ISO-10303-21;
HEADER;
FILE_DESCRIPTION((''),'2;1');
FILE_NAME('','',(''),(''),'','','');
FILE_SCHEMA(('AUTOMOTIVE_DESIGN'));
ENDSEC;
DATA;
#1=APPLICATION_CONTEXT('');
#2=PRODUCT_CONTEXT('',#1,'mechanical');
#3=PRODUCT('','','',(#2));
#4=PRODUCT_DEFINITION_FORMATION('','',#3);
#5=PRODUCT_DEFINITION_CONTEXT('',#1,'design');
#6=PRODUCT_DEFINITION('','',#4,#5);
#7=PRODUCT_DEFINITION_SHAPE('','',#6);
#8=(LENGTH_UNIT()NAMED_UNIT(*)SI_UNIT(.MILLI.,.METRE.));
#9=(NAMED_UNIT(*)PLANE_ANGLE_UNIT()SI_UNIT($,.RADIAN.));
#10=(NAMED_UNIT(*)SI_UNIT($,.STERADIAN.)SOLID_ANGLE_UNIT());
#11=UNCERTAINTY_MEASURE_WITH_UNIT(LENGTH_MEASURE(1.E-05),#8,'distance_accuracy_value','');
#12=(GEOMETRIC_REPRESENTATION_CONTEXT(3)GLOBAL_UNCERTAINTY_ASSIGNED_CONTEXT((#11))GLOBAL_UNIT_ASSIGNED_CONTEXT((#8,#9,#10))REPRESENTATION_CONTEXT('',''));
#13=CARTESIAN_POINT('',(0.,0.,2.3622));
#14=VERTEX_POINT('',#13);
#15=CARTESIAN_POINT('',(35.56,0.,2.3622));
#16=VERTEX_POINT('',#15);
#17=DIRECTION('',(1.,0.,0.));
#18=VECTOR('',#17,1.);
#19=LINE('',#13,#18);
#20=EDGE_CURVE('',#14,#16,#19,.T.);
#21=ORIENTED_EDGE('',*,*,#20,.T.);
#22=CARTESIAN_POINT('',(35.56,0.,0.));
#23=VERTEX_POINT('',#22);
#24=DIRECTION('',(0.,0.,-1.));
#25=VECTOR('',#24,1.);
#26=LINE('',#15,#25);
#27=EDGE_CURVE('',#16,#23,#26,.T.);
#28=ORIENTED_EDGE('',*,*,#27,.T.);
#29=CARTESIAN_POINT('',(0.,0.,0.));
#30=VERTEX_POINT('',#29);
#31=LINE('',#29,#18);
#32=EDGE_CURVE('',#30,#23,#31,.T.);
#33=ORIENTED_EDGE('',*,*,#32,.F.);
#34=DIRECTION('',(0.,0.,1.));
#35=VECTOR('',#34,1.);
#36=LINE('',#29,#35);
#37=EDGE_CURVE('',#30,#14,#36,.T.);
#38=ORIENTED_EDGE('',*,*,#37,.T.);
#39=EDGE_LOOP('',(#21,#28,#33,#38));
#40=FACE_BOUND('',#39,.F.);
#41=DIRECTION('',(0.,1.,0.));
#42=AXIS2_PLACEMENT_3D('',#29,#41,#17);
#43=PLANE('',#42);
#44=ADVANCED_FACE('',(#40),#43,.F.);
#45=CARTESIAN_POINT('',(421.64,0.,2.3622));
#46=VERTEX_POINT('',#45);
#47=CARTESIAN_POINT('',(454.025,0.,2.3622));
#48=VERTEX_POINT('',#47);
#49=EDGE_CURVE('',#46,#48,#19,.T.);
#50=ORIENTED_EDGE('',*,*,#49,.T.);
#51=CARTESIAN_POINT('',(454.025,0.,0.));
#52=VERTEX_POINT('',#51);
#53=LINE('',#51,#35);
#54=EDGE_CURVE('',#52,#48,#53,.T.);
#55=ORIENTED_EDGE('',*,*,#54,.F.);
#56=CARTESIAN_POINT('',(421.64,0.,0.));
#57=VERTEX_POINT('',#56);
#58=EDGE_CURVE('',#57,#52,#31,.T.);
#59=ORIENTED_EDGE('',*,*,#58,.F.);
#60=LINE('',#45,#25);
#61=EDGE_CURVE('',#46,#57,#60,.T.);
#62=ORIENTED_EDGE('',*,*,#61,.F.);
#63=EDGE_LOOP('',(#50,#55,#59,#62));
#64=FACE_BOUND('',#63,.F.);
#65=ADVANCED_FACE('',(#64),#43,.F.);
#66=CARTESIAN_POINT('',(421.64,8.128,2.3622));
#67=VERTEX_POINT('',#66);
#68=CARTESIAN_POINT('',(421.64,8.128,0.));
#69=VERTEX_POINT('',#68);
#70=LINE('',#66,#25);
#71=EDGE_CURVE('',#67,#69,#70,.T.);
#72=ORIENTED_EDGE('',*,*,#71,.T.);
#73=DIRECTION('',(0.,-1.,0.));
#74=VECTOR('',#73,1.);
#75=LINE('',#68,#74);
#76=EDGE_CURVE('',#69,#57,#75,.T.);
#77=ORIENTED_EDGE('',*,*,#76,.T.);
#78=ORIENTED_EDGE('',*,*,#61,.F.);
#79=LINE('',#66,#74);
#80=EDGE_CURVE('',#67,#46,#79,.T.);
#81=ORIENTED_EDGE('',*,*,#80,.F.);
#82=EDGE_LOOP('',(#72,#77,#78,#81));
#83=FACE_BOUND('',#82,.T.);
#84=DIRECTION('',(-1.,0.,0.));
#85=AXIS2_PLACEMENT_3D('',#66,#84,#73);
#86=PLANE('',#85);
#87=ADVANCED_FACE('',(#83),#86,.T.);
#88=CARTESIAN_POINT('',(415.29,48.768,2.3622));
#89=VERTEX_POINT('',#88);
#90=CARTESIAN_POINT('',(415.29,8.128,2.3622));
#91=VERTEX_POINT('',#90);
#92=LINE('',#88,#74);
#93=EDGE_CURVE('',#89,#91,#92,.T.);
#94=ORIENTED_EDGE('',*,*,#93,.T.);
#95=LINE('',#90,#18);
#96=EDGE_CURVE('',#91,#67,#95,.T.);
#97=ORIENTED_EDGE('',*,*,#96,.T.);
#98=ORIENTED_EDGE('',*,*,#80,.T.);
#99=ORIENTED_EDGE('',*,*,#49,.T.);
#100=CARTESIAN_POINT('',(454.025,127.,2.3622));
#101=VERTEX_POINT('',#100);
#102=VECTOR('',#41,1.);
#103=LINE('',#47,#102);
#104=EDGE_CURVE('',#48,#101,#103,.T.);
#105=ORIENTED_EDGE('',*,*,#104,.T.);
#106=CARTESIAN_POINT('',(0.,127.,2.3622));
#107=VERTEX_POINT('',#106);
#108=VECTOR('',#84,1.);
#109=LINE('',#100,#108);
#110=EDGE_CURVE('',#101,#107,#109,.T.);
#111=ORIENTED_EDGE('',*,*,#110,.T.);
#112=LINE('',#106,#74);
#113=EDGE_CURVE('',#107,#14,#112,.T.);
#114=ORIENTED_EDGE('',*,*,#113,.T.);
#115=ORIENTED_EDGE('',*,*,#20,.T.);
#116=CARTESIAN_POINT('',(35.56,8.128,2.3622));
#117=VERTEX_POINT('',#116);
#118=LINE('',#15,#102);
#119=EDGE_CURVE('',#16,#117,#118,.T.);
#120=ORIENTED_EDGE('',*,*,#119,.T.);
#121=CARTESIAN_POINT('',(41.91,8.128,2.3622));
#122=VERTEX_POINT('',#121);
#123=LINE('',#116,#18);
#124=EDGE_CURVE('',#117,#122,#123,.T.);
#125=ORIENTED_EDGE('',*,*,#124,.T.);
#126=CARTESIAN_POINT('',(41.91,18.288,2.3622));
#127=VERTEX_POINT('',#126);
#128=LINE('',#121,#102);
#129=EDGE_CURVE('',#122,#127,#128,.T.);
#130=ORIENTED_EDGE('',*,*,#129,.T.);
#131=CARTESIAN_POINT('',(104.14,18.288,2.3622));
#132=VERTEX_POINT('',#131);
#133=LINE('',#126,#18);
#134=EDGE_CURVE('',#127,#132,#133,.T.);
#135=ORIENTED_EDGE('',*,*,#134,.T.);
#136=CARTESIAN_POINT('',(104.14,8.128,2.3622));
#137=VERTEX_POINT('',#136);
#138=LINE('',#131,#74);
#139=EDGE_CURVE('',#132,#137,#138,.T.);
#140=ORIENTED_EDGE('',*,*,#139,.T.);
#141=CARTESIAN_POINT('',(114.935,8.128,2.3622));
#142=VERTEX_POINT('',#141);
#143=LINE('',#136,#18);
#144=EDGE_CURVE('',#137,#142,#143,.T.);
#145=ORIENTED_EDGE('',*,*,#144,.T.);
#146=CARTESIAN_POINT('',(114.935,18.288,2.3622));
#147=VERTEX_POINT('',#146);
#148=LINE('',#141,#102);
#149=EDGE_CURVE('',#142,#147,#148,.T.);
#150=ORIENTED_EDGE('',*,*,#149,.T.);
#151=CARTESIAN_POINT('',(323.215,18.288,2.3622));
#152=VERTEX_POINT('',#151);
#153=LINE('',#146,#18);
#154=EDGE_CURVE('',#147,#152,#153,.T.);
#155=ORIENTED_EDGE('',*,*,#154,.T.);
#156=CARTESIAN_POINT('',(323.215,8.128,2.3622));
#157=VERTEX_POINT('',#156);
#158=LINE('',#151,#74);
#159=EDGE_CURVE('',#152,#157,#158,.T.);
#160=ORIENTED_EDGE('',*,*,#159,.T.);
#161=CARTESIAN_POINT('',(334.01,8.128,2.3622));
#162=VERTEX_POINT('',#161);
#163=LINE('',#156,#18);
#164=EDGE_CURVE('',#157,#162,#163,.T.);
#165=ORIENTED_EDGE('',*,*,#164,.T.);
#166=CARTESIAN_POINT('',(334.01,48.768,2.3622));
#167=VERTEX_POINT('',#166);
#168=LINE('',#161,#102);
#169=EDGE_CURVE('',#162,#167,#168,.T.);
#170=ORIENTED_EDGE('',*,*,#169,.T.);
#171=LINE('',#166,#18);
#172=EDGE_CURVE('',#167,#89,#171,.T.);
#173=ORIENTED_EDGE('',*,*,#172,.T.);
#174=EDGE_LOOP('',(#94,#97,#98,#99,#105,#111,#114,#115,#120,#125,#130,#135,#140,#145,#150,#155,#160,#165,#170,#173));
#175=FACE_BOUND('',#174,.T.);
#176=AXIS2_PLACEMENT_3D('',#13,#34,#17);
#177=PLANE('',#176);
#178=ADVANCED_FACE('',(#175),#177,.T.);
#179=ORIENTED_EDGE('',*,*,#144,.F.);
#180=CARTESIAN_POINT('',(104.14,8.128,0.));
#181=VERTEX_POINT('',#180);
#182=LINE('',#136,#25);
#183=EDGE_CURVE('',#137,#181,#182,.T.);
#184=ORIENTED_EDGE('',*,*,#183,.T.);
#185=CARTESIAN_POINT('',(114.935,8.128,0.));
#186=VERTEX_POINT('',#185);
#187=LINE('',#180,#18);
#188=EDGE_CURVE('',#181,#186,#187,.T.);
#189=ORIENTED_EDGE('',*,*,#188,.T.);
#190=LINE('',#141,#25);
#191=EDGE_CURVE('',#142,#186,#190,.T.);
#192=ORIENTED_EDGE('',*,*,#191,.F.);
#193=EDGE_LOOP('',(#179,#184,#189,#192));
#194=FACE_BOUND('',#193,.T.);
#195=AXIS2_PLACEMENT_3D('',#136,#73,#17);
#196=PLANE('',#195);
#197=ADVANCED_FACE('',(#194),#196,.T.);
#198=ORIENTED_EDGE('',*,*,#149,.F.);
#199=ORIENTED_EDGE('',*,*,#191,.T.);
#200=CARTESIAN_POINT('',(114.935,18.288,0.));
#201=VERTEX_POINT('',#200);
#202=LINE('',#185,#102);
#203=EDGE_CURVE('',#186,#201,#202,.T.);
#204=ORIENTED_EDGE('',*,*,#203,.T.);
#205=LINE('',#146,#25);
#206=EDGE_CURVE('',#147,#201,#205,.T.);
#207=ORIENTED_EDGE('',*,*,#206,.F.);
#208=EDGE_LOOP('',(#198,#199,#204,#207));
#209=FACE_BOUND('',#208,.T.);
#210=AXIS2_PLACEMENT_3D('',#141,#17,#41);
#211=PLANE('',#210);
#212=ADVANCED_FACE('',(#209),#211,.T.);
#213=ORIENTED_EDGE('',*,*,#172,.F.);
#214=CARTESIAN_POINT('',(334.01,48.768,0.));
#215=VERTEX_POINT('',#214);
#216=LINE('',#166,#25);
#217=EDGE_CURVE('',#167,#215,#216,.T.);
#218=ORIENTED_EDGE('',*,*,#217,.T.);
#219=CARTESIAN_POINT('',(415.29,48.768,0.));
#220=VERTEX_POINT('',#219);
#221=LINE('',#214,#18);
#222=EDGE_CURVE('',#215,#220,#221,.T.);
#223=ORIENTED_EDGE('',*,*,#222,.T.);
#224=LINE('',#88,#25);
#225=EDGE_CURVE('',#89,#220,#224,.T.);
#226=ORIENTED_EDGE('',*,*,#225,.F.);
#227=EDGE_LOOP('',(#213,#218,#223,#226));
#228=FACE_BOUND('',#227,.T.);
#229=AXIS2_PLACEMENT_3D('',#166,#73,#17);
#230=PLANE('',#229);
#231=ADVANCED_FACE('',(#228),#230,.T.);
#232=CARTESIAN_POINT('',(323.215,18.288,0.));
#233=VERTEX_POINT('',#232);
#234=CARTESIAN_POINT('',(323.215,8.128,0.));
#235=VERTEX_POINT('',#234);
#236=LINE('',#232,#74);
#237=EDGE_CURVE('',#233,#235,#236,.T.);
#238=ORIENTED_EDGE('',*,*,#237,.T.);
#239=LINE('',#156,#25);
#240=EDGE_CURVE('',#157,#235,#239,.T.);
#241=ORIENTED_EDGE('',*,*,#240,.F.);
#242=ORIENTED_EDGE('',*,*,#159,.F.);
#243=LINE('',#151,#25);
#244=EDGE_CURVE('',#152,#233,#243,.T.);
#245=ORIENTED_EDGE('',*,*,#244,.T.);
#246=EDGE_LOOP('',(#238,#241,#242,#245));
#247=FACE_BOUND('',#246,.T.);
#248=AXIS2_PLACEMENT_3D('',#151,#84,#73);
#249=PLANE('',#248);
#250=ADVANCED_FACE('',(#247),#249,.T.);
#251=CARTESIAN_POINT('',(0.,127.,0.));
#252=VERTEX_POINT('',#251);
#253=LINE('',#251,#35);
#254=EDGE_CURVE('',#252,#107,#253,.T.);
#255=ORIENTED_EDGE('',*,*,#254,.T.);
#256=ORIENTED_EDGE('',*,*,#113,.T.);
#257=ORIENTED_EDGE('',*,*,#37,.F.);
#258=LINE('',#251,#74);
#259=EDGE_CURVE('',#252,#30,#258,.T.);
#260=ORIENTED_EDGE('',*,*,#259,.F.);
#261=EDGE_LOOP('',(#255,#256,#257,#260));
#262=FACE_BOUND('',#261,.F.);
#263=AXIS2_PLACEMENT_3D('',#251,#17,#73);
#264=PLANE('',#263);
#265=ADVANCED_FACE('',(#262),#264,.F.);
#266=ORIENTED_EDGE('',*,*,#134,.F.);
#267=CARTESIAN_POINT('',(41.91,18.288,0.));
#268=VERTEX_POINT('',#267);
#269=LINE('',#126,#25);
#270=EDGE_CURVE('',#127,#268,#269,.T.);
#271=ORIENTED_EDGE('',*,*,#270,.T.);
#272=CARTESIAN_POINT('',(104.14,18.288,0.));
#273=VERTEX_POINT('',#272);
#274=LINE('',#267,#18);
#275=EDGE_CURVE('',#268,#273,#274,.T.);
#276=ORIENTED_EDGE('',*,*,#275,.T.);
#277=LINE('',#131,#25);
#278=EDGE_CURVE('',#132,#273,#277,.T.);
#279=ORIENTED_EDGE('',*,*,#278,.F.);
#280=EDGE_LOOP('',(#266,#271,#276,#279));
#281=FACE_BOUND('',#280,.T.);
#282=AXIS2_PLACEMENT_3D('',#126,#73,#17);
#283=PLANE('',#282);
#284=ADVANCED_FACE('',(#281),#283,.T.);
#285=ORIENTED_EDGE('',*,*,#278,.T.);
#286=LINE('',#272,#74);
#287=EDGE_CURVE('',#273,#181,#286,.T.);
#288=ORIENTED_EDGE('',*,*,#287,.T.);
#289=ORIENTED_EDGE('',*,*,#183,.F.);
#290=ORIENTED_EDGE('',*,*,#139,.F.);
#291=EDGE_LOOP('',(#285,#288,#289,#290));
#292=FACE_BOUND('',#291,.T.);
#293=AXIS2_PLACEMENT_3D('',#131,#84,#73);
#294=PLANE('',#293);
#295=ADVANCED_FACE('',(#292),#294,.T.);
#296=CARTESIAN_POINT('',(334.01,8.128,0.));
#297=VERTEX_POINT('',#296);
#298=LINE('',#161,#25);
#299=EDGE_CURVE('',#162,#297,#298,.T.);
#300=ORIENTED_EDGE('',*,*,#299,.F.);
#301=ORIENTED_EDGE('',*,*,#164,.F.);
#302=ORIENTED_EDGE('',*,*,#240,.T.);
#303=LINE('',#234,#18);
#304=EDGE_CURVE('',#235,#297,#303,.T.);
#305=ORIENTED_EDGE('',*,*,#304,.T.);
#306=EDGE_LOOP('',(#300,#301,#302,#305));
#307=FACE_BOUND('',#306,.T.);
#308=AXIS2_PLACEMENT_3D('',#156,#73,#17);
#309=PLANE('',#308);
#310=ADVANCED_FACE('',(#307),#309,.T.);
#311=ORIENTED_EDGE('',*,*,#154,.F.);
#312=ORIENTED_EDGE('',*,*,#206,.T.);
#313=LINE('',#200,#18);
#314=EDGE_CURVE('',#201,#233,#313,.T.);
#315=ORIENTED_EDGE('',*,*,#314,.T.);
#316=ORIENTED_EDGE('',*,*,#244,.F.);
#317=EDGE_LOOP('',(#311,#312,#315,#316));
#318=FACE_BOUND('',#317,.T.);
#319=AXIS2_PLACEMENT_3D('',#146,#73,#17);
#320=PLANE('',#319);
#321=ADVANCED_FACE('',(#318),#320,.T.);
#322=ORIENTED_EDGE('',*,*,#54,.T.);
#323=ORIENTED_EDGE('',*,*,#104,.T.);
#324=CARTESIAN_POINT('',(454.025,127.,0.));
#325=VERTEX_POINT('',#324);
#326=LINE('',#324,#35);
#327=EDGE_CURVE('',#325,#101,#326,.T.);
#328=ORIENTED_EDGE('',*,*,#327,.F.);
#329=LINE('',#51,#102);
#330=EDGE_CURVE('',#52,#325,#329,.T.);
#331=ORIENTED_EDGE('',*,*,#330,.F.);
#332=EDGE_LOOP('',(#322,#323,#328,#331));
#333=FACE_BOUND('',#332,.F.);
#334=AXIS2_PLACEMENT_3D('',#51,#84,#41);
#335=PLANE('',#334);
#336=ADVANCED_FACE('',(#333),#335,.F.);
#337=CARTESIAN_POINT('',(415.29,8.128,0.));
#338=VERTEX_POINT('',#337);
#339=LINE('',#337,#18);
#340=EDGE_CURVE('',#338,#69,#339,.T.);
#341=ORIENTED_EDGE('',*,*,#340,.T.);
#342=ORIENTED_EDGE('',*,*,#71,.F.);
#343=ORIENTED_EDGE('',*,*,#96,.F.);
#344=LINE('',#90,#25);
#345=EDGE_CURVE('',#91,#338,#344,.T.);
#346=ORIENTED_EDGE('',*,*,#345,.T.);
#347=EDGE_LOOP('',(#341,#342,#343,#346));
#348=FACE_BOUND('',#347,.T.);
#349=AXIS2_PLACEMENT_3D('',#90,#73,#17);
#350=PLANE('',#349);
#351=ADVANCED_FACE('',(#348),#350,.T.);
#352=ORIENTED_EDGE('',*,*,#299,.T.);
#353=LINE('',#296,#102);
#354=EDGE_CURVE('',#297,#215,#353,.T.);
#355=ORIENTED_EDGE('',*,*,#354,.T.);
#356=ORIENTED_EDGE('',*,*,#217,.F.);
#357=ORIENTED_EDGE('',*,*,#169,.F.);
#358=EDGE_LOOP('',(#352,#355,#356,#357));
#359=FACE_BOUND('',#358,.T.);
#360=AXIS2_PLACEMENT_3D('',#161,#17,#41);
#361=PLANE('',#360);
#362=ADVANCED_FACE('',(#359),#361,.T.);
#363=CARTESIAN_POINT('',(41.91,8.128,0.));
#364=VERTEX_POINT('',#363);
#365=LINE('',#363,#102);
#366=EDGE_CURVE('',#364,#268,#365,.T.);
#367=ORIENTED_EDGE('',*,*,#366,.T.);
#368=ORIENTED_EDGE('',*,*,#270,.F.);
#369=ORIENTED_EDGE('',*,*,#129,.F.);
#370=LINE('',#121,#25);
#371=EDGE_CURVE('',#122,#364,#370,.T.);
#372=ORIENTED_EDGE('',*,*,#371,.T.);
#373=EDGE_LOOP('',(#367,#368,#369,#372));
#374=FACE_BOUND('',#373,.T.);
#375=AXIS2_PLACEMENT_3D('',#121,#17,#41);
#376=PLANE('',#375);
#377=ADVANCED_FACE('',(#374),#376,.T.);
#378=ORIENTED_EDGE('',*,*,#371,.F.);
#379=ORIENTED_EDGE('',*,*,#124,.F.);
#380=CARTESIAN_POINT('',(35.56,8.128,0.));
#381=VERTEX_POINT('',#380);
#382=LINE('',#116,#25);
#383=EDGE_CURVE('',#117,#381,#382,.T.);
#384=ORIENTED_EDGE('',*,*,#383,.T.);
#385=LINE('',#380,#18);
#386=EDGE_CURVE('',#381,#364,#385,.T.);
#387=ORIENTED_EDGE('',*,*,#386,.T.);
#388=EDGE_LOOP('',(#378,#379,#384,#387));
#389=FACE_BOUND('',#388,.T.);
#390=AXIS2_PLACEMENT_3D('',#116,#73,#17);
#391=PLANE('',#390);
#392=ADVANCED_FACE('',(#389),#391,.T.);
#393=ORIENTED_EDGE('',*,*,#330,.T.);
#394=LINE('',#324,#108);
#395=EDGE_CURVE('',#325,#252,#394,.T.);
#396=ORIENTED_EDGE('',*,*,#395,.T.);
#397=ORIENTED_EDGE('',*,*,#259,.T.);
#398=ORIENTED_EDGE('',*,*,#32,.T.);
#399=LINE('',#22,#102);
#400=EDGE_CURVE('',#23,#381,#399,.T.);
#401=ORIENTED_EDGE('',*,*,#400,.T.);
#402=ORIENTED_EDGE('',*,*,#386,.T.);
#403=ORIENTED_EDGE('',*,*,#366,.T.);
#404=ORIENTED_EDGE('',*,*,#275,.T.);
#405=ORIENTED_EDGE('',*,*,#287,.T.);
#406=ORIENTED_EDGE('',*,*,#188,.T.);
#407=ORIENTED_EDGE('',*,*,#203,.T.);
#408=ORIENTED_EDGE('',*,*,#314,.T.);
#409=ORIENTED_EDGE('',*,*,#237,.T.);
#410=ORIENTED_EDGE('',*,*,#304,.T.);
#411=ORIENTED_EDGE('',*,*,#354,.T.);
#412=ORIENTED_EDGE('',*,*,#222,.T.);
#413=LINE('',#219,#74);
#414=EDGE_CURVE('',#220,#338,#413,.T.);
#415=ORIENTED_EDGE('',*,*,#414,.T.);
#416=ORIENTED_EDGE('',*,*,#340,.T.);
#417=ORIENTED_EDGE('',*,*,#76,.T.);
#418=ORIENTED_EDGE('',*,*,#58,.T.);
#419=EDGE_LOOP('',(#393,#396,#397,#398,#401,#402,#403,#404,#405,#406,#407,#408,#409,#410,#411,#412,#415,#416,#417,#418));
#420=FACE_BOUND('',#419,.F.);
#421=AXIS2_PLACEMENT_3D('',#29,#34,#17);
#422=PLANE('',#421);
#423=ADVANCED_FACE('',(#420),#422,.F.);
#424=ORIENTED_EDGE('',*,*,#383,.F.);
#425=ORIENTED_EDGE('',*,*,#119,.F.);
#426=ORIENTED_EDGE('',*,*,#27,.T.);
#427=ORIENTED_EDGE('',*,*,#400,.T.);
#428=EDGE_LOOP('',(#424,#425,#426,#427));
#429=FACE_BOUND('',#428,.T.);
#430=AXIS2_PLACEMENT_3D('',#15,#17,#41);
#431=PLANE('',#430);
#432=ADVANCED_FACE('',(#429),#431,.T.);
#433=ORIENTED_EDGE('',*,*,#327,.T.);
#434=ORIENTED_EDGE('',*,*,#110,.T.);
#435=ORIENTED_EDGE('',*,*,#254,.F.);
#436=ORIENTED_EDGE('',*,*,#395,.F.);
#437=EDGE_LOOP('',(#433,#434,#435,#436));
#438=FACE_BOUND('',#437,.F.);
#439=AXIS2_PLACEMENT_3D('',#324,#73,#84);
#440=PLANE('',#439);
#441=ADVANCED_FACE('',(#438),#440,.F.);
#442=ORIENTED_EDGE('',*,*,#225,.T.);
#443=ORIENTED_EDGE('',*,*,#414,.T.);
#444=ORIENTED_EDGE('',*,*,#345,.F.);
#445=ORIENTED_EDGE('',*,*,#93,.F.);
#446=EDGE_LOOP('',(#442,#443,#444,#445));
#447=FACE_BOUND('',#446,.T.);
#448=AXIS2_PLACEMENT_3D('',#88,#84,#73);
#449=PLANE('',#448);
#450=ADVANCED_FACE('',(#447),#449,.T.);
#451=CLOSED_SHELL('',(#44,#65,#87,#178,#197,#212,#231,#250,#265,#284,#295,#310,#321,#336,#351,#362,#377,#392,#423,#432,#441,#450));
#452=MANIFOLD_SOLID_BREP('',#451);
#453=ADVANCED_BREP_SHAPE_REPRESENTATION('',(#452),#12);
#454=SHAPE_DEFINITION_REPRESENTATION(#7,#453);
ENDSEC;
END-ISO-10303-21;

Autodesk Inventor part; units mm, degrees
ref_plane "YZ Plane" through (0, 0, 0) normal (1, 0, 0) x (0, 1, 0)
ref_plane "XZ Plane" through (0, 0, 0) normal (0, 1, 0) x (-1, 0, 0)
ref_plane "XY Plane" through (0, 0, 0) normal (0, 0, 1) x (1, 0, 0)
sketch "Sketch1" plane through (0, 0, 0) normal (0, 0, 1) x (1, 0, 0)
  line L0 (0, 0) -> (454.025, 0)
  line L1 (454.025, 0) -> (454.025, 127)
  line L2 (454.025, 127) -> (0, 127)
  line L3 (0, 127) -> (0, 0)
  dimension "d0" = 127
  dimension "d1" = 454.025
extrude "Extrusion1" add sketch "Sketch1" along normal blind 2.3622
sketch "Sketch2" plane through (0, 0, 2.3622) normal (0, 0, 1) x (1, 0, 0)
  line L0 (35.56, 0) -> (35.56, 8.128)
  line L1 (35.56, 8.128) -> (41.91, 8.128)
  line L2 (41.91, 8.128) -> (41.91, 18.288)
  line L3 (41.91, 18.288) -> (104.14, 18.288)
  line L4 (104.14, 18.288) -> (104.14, 8.128)
  line L5 (104.14, 8.128) -> (114.935, 8.128)
  line L6 (114.935, 8.128) -> (114.935, 18.288)
  line L7 (114.935, 18.288) -> (323.215, 18.288)
  line L8 (323.215, 18.288) -> (323.215, 8.128)
  line L9 (323.215, 8.128) -> (334.01, 8.128)
  line L10 (334.01, 8.128) -> (334.01, 48.768)
  line L11 (334.01, 48.768) -> (415.29, 48.768)
  line L12 (415.29, 48.768) -> (415.29, 8.128)
  line L13 (415.29, 8.128) -> (421.64, 8.128)
  line L14 (421.64, 8.128) -> (421.64, 0)
  line L15 (0, 127) -> (0, 0) projected
  line L16 (454.025, 0) -> (454.025, 127) projected
  line L17 (0, 0) -> (454.025, 0) projected
  line L18 (35.56, 0) -> (421.64, 0)
  dimension "d4" = 35.56
  dimension "d5" = 6.35
  dimension "d6" = 62.23
  dimension "d7" = 10.795
  dimension "d8" = 208.28
  dimension "d12" = 8.128
  dimension "d13" = 10.16
  dimension "d14" = 10.16
  dimension "d15" = 40.64
  dimension "d18" = 454.025
  dimension "d19" = 10.795
  dimension "d20" = 81.28
  dimension "d21" = 6.35
extrude "Extrusion2" cut sketch "Sketch2" against normal blind 2.3622
properties part number "TSIWall"
